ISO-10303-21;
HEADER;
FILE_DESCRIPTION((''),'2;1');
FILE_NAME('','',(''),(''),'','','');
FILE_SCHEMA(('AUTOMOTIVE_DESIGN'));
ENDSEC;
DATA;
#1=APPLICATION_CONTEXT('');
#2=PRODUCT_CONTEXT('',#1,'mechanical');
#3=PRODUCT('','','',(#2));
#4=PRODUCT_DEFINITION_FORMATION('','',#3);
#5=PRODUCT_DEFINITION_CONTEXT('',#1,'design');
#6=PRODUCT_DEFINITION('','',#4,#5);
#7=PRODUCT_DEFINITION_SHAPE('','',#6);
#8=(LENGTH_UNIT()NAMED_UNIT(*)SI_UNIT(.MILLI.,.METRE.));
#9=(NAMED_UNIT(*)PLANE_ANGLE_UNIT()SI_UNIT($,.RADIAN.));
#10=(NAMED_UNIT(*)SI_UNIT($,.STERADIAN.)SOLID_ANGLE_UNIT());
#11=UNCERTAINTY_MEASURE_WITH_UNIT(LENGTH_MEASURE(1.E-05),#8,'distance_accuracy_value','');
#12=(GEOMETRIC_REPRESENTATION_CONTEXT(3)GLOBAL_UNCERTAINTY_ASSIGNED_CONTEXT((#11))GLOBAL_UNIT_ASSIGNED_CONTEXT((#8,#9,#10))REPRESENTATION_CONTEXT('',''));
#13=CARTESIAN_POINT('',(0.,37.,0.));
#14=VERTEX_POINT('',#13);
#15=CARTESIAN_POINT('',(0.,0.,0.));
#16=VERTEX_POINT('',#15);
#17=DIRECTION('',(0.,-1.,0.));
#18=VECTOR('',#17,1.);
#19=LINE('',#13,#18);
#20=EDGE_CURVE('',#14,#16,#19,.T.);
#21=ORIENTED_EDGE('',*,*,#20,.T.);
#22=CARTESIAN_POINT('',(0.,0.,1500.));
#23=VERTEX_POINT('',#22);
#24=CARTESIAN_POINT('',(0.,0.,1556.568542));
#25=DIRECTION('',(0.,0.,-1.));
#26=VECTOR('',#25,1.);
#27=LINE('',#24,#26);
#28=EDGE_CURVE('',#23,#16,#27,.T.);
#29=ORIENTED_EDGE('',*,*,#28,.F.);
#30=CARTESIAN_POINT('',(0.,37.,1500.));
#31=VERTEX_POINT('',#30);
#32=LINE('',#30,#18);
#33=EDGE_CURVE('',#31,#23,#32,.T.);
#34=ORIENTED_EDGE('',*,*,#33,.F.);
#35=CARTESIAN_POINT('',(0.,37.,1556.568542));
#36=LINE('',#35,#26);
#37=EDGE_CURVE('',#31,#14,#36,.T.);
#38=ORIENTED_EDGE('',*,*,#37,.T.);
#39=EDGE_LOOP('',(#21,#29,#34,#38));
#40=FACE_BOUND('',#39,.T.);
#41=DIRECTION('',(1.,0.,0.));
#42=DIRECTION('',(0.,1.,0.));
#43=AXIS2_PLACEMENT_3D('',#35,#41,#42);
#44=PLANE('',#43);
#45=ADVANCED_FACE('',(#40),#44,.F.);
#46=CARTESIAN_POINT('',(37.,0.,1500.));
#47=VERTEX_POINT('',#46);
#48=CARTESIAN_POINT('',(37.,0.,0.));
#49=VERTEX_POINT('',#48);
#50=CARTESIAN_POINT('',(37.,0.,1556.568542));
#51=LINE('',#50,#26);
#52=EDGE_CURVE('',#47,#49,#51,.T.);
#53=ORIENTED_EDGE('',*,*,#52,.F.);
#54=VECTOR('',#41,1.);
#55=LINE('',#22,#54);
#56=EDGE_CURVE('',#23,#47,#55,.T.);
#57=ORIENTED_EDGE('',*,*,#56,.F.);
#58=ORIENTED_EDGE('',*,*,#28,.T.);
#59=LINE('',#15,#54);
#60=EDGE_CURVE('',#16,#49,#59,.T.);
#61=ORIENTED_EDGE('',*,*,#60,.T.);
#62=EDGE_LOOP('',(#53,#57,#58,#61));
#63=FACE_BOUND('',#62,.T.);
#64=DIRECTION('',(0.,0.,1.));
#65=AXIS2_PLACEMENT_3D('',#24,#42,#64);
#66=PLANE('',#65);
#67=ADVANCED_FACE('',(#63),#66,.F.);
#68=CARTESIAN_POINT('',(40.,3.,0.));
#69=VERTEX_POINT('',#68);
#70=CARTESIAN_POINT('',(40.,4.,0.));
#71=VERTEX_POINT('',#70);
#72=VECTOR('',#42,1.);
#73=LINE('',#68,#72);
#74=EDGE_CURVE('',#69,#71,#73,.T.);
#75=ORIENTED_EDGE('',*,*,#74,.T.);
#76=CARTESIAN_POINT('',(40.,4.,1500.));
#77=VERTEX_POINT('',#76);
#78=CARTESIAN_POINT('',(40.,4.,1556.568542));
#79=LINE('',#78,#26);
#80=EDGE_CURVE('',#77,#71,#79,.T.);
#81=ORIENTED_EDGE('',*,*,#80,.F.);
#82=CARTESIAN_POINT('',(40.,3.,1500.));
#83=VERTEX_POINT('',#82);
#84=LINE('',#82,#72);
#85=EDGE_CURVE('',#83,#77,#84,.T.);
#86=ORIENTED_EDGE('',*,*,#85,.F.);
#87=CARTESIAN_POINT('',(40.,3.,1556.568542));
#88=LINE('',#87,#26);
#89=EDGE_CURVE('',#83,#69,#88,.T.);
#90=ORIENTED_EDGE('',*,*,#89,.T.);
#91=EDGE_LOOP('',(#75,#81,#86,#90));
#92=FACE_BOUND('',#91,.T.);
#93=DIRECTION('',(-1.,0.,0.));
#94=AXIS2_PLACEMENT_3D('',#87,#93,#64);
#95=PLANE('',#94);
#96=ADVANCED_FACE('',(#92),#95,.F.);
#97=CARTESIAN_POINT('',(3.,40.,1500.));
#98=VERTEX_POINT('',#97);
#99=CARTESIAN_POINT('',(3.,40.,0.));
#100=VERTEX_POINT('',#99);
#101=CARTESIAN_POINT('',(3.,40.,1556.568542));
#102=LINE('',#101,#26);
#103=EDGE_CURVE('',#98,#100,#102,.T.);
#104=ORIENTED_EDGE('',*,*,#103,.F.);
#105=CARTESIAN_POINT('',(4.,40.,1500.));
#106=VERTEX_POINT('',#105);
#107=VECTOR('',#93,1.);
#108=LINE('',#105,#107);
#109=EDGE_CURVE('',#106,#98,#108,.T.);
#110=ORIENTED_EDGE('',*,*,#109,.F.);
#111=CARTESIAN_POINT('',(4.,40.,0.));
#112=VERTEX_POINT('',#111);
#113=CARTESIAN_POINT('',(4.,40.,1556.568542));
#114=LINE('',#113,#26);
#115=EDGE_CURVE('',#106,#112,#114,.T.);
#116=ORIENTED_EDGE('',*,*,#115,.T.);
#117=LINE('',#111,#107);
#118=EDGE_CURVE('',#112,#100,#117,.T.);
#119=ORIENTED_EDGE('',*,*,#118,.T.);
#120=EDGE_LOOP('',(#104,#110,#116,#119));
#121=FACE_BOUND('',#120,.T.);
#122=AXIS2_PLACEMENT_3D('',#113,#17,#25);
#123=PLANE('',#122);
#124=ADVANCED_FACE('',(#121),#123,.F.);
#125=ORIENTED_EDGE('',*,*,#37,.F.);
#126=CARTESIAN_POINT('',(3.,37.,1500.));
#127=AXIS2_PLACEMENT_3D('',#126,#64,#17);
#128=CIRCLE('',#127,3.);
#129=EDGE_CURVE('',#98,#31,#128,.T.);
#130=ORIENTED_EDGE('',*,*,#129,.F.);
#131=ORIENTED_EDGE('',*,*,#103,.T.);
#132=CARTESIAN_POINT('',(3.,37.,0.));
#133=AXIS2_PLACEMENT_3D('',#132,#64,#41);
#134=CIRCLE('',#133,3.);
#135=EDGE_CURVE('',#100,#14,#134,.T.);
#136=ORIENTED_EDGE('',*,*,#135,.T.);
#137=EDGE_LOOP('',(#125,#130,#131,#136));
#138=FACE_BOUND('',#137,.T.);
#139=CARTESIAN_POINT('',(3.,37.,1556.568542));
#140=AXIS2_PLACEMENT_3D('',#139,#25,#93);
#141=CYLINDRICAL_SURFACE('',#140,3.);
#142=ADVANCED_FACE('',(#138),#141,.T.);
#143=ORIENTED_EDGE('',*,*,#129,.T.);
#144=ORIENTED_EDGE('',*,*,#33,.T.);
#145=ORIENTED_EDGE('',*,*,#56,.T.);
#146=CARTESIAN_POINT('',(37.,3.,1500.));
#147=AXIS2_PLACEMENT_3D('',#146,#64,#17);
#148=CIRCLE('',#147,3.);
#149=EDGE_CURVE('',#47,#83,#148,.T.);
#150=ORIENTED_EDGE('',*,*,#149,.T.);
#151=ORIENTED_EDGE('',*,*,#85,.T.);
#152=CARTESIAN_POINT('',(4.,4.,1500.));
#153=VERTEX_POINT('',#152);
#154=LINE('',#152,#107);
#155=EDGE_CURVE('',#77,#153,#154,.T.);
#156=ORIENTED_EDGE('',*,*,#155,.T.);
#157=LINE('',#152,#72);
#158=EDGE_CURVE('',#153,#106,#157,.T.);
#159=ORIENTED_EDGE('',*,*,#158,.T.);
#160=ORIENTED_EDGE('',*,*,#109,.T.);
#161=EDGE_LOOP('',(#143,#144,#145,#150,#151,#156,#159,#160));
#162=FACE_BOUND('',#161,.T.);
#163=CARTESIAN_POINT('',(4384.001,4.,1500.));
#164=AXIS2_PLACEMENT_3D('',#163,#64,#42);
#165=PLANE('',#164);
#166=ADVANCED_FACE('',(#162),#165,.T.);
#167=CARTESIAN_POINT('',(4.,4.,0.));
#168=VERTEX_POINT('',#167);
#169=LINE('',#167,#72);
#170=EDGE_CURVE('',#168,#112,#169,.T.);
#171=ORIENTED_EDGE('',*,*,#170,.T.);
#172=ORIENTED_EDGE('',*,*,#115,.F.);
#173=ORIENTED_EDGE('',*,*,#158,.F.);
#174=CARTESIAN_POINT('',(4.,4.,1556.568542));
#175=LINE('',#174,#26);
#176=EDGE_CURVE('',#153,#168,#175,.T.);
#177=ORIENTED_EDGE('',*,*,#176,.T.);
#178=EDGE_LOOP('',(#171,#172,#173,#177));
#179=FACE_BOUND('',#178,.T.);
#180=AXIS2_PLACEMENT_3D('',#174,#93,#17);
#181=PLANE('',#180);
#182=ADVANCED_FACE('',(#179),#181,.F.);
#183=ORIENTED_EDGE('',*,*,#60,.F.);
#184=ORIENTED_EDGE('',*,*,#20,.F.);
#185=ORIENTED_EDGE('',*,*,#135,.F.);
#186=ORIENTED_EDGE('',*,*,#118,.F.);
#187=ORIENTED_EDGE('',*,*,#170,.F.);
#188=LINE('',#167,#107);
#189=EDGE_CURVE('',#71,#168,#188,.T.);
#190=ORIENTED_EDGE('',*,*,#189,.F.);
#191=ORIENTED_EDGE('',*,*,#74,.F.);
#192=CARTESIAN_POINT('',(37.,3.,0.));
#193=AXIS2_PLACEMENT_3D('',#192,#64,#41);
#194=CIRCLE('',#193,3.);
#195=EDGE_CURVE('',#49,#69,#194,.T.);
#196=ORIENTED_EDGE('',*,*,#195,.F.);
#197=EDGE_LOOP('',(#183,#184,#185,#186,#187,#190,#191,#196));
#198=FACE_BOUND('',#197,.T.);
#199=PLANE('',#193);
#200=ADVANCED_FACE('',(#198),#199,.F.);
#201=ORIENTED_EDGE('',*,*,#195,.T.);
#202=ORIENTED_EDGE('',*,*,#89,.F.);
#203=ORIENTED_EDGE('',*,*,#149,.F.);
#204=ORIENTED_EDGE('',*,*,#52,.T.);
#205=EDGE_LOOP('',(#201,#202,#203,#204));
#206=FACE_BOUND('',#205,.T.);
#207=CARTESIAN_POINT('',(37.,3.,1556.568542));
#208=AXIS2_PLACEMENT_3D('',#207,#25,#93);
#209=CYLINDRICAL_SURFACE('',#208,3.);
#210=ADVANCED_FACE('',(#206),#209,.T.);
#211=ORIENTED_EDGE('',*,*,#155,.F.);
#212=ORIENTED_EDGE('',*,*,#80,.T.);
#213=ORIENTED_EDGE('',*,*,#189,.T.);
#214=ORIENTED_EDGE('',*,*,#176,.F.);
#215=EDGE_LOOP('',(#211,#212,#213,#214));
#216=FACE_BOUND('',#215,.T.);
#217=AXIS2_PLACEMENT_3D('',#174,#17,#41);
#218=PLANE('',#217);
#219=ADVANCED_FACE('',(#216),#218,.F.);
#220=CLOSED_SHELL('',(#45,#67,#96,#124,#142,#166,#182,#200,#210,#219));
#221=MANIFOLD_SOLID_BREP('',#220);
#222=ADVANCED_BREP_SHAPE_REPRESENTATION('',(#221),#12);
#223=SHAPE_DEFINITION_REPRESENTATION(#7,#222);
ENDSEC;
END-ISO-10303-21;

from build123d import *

# Parameters (mm, degrees)
EXTRUDE_1_DEPTH = 1500


with BuildPart() as part:
    # Эскиз1 → Бобышка-Вытянуть1 (new body)
    with BuildSketch(Plane.XY):
        with BuildLine():
            Line((0, 0), (37, 0))
            ThreePointArc((37, 0), (39.121320344, 0.878679656), (40, 3))
            Line((40, 3), (40, 4))
            Line((40, 4), (4, 4))
            Line((4, 4), (4, 40))
            Line((4, 40), (3, 40))
            ThreePointArc((3, 40), (0.878679656, 39.121320344), (0, 37))
            Line((0, 37), (0, 0))
        make_face()
    extrude(amount=EXTRUDE_1_DEPTH)


solid = part.part
